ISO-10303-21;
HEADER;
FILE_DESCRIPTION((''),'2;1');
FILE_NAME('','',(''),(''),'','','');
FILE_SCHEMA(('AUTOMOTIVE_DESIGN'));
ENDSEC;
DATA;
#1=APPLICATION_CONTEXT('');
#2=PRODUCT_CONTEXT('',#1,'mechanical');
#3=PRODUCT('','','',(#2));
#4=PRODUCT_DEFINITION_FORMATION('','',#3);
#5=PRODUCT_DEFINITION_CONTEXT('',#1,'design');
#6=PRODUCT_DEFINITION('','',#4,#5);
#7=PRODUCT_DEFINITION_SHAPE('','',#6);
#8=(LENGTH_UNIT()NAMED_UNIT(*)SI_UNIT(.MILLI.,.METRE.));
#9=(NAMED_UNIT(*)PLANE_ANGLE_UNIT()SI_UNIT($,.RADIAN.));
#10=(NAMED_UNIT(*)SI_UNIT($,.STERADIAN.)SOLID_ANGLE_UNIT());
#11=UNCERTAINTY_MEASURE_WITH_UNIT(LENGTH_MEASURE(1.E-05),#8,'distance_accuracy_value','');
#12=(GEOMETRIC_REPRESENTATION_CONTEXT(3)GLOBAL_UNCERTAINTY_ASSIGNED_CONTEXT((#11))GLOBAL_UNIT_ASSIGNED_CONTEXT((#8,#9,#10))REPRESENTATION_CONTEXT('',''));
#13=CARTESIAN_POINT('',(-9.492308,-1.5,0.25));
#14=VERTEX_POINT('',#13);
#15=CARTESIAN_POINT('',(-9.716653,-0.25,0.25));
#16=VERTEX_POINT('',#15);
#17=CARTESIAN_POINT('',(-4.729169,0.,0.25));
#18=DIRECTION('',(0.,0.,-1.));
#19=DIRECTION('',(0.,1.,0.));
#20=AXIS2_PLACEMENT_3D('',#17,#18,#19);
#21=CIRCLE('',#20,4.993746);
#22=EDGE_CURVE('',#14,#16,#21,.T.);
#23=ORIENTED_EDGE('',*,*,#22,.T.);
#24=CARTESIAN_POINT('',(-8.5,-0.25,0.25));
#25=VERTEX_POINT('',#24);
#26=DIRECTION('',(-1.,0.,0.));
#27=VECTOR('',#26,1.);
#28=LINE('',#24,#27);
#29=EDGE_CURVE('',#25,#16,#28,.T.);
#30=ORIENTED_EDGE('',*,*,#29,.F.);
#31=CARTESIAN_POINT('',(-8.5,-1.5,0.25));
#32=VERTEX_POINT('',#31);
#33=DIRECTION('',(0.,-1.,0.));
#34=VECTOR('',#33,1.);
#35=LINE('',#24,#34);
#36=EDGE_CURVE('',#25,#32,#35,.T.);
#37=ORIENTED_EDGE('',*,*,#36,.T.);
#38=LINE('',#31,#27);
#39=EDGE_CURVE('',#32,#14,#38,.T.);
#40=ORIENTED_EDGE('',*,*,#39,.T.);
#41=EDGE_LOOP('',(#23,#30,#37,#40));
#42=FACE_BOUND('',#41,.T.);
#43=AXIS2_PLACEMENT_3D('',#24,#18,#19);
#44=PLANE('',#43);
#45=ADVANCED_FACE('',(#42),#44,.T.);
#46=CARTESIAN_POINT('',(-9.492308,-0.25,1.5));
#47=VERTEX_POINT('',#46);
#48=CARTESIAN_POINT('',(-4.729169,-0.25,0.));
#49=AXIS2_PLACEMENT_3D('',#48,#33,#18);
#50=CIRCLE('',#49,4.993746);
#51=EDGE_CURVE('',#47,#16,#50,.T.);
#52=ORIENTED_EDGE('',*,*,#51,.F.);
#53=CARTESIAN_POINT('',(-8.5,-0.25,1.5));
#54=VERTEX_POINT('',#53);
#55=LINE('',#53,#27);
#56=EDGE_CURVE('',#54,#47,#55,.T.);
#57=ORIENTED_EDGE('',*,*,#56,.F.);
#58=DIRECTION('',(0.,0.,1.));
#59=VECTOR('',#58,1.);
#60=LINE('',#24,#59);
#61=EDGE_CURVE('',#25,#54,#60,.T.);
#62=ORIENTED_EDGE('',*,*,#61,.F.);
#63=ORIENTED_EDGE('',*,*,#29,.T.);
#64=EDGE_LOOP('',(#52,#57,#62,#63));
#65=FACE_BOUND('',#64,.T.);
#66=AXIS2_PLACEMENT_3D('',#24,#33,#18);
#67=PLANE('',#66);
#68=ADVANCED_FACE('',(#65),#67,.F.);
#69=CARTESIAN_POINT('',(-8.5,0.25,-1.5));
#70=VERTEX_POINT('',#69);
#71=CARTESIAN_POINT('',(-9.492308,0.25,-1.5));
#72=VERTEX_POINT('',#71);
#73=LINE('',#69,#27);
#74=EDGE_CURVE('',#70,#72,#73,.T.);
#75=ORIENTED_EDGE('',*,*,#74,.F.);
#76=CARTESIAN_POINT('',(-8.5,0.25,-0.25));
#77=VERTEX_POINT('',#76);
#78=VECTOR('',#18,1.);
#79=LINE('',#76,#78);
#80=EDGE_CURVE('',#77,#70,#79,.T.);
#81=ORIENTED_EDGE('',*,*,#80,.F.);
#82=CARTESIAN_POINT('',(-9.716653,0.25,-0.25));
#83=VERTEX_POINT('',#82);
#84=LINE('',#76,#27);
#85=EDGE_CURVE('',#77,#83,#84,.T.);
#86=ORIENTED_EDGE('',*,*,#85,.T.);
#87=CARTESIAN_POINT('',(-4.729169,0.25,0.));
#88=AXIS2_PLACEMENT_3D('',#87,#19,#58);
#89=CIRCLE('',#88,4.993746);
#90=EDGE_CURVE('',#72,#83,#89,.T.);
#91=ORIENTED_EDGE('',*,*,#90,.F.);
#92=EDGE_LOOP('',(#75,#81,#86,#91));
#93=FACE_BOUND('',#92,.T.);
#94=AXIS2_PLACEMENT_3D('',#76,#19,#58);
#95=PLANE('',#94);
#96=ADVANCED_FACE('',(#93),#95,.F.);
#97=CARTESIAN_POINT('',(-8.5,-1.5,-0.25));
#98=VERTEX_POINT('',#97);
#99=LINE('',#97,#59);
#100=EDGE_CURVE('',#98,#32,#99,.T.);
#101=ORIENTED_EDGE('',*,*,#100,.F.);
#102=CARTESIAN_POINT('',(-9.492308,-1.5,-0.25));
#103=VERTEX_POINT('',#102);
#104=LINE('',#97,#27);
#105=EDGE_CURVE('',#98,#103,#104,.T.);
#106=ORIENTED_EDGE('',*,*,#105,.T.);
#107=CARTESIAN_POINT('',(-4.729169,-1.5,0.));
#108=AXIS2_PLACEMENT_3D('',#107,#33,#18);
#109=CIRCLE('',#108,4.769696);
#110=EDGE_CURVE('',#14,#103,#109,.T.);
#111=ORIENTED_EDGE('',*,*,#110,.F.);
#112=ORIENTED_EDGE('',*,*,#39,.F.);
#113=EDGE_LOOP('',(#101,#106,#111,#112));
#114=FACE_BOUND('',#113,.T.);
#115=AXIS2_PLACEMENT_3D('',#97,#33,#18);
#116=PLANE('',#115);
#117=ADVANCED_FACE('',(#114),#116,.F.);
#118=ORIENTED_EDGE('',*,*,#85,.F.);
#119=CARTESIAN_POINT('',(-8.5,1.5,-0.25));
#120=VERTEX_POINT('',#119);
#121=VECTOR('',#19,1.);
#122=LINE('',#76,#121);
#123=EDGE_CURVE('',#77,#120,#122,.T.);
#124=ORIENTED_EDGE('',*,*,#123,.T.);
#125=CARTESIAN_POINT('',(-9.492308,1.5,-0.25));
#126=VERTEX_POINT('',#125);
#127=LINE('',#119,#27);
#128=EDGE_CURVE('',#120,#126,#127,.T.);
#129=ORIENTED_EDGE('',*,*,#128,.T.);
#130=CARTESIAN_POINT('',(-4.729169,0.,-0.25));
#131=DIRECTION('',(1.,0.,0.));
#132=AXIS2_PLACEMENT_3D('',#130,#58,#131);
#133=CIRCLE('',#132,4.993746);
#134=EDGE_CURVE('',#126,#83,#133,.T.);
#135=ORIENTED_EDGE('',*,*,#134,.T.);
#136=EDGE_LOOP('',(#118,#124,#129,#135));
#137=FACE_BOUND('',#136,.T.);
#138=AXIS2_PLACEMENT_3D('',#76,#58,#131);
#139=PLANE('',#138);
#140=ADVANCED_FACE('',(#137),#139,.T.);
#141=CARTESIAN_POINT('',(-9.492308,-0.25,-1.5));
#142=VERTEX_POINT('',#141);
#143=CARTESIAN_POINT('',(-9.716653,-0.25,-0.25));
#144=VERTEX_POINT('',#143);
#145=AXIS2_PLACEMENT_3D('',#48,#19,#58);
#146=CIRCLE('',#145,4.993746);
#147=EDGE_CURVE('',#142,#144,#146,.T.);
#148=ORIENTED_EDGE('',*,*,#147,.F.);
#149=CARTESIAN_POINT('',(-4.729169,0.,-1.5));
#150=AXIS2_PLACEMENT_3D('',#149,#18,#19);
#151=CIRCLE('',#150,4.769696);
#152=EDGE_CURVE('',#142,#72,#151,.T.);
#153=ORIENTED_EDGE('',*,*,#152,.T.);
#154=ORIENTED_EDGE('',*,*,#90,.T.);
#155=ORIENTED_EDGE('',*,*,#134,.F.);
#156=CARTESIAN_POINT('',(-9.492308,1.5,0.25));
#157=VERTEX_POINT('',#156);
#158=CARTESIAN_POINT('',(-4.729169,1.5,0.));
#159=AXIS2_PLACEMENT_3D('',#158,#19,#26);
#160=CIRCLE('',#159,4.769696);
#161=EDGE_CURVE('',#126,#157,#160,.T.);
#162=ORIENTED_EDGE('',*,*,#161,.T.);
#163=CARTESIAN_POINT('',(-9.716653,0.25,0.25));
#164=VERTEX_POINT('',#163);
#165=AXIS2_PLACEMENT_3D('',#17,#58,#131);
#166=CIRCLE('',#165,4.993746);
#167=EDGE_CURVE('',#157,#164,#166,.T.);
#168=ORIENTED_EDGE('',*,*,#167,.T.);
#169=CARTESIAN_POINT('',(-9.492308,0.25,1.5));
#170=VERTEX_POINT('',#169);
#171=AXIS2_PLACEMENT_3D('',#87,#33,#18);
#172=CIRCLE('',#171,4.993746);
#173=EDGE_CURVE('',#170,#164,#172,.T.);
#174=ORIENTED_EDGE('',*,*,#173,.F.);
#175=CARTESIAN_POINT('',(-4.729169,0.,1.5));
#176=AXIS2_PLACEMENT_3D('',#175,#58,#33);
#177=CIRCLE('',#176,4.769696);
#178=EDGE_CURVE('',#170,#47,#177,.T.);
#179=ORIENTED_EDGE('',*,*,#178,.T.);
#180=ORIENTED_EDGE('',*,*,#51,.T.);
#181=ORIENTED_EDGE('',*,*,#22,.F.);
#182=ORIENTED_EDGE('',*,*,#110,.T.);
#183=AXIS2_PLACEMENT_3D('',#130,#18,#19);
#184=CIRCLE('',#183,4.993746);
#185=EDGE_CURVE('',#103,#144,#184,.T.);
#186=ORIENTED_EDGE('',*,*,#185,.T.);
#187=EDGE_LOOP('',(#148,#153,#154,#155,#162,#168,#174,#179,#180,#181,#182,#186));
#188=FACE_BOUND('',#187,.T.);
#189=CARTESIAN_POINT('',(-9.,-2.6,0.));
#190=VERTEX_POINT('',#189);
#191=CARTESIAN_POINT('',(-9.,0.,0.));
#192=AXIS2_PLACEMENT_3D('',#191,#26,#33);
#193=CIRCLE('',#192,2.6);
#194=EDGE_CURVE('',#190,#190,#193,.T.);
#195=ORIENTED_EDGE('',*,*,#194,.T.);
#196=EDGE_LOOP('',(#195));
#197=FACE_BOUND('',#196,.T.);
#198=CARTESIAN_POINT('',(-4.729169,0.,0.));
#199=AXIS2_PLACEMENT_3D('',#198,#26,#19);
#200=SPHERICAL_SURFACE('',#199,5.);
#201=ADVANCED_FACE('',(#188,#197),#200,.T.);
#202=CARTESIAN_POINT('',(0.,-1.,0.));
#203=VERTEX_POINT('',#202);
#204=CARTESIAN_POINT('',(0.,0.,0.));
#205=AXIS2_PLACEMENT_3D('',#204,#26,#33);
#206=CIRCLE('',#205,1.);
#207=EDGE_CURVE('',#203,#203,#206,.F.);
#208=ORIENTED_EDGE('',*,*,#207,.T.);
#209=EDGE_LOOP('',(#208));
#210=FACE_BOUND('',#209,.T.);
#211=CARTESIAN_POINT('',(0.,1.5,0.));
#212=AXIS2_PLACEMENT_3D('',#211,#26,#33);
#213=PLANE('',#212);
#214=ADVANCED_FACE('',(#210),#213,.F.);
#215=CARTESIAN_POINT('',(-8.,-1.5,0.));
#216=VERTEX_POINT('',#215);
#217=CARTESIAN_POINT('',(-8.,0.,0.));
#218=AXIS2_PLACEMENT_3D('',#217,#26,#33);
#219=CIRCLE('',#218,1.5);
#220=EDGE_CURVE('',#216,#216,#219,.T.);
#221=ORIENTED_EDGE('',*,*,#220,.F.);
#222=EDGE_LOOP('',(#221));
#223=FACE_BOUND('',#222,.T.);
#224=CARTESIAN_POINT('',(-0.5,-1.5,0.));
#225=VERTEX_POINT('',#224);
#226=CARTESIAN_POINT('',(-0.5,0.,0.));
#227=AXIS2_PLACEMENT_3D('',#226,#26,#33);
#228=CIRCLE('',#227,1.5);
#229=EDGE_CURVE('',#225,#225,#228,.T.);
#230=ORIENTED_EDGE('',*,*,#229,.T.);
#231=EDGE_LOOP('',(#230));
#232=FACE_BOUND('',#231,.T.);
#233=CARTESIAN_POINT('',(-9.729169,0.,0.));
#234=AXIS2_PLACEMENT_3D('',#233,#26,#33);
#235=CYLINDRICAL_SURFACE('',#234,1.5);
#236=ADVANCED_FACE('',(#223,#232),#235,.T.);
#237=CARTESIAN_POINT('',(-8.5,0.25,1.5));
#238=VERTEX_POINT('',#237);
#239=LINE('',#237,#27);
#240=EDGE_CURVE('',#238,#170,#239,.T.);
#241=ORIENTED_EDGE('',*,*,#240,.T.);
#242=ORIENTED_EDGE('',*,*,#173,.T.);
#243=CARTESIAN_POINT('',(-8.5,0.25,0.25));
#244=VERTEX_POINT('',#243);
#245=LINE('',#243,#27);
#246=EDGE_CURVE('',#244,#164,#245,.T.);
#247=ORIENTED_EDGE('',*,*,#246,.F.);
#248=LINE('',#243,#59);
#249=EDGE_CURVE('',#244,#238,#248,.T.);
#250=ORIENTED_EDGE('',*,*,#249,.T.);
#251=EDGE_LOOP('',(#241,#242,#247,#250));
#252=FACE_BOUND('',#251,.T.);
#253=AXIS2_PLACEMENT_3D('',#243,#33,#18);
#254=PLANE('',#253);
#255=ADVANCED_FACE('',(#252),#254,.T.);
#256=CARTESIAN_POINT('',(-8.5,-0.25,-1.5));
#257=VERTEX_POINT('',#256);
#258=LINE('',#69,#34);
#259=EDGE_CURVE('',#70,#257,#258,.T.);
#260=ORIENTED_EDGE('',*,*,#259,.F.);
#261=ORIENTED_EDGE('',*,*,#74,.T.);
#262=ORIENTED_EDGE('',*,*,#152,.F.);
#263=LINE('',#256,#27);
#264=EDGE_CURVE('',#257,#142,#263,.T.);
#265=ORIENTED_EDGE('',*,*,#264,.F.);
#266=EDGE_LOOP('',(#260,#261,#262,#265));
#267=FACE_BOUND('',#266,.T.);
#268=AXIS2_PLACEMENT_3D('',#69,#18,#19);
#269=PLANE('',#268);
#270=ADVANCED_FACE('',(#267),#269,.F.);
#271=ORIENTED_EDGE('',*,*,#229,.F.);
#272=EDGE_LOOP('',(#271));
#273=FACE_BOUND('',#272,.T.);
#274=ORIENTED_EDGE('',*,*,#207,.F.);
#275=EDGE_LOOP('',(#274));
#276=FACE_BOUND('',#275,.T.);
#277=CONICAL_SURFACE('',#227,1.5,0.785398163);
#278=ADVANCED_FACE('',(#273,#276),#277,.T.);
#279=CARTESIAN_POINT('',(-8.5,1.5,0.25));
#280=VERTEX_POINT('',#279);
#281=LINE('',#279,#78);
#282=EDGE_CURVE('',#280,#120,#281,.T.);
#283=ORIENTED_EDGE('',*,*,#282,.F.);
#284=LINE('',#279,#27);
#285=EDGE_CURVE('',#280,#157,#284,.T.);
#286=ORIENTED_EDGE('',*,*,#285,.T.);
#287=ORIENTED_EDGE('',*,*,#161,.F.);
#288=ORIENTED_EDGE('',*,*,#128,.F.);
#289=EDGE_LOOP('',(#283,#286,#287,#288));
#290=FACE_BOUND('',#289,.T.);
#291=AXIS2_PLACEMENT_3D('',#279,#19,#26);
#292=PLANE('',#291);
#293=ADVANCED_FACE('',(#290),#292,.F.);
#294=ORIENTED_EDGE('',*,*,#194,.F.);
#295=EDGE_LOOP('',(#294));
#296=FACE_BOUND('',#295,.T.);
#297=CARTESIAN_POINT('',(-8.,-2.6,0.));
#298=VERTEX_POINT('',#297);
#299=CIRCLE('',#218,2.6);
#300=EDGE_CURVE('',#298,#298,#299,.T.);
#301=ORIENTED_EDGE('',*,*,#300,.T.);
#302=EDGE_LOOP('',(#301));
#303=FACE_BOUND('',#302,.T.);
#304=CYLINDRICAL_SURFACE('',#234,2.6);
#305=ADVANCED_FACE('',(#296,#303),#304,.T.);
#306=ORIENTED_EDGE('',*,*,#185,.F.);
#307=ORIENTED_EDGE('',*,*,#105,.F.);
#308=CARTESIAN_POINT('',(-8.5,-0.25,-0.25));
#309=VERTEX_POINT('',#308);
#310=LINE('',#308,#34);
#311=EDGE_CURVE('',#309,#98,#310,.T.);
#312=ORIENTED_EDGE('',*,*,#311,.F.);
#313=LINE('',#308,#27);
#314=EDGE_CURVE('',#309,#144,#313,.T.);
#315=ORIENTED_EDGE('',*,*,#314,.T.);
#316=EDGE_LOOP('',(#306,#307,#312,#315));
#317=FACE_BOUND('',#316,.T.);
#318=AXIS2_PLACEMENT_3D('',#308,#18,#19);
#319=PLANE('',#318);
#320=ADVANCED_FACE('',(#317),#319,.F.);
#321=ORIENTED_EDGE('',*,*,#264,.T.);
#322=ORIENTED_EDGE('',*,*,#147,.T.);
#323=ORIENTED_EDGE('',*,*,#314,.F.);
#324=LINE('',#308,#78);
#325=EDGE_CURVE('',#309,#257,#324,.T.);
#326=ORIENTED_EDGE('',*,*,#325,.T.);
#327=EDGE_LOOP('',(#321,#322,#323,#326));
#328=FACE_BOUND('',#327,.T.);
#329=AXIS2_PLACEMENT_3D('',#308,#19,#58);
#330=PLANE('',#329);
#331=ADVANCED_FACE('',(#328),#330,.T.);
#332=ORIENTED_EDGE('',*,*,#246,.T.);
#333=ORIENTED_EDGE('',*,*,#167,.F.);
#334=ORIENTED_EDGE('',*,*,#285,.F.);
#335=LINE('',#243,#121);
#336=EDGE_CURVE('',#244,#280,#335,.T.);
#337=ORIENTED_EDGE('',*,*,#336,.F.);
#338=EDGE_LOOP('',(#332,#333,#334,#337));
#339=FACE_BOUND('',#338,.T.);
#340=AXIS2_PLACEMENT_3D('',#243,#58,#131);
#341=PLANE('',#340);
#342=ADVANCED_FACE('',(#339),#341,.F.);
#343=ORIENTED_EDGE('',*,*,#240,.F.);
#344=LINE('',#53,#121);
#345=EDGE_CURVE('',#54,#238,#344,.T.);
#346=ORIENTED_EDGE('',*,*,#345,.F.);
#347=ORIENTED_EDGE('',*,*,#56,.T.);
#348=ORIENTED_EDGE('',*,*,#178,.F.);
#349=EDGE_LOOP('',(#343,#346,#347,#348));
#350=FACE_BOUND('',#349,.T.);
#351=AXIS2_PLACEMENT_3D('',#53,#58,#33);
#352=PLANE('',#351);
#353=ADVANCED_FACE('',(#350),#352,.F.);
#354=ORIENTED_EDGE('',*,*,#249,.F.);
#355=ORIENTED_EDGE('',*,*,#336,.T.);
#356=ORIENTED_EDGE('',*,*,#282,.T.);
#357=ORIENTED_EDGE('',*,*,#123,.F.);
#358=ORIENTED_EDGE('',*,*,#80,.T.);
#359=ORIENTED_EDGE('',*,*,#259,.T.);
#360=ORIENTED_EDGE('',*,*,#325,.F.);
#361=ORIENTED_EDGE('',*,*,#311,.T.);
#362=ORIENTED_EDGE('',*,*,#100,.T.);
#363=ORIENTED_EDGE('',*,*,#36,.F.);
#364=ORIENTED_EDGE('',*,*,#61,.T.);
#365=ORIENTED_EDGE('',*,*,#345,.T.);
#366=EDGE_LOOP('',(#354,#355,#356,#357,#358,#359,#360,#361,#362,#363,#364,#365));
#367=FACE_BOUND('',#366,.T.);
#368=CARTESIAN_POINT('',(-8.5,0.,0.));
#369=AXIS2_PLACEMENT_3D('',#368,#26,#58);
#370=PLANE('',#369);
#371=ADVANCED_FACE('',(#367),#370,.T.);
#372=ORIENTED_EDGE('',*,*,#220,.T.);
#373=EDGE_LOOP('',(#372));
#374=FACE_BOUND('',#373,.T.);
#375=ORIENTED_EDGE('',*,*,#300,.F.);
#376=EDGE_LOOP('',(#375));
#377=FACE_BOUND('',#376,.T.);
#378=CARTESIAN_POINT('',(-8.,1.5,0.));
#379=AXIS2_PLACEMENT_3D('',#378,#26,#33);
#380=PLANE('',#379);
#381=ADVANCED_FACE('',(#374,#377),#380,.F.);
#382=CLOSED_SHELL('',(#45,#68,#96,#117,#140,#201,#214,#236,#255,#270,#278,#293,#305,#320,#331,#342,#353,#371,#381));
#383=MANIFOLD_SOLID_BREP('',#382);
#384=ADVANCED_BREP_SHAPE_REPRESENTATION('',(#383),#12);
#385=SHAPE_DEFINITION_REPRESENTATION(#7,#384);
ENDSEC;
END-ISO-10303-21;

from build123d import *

# Parameters (mm, degrees)
CUT_EXTRUDE_1_DEPTH = 4.5
CHAMFER_1_SIZE      = 0.5


with BuildPart() as part:
    # Эскиз1 → Повернуть1 (revolve)
    with BuildSketch(Plane.XY, mode=Mode.PRIVATE) as revolve_1_sk:
        with BuildLine():
            Line((-8, 1.5), (0, 1.5))
            Line((0, 1.5), (0, 0))
            Line((0, 0), (-9.729168699, 0))
            ThreePointArc((-9.729168699, 0), (-9.543426508, 1.350156194), (-9, 2.6))
            Line((-9, 2.6), (-8, 2.6))
            Line((-8, 2.6), (-8, 1.5))
        make_face()
    revolve(revolve_1_sk.sketch.rotate(Axis((-9.729168699, 0, 0), (1, 0, 0)), 180), axis=Axis((-9.729168699, 0, 0), (1, 0, 0)))

    # Эскиз3 → Вырез-Вытянуть1 (cut)
    with BuildSketch(Plane(origin=(-13, 0, 0), x_dir=(0, 0, -1), z_dir=(1, 0, 0))):
        Polygon((-0.25, 0.25), (-0.25, 1.5), (0.25, 1.5), (0.25, 0.25), (1.5, 0.25), (1.5, -0.25), (0.25, -0.25), (0.25, -1.5), (-0.25, -1.5), (-0.25, -0.25), (-1.5, -0.25), (-1.5, 0.25), align=None)
    extrude(amount=CUT_EXTRUDE_1_DEPTH, mode=Mode.SUBTRACT)

    # Фаска1
    chamfer_1_edges = [part.edges().sort_by_distance(p)[0] for p in [
        (0, 1.5, 0),
    ]]
    chamfer(chamfer_1_edges, length=CHAMFER_1_SIZE)


solid = part.part
